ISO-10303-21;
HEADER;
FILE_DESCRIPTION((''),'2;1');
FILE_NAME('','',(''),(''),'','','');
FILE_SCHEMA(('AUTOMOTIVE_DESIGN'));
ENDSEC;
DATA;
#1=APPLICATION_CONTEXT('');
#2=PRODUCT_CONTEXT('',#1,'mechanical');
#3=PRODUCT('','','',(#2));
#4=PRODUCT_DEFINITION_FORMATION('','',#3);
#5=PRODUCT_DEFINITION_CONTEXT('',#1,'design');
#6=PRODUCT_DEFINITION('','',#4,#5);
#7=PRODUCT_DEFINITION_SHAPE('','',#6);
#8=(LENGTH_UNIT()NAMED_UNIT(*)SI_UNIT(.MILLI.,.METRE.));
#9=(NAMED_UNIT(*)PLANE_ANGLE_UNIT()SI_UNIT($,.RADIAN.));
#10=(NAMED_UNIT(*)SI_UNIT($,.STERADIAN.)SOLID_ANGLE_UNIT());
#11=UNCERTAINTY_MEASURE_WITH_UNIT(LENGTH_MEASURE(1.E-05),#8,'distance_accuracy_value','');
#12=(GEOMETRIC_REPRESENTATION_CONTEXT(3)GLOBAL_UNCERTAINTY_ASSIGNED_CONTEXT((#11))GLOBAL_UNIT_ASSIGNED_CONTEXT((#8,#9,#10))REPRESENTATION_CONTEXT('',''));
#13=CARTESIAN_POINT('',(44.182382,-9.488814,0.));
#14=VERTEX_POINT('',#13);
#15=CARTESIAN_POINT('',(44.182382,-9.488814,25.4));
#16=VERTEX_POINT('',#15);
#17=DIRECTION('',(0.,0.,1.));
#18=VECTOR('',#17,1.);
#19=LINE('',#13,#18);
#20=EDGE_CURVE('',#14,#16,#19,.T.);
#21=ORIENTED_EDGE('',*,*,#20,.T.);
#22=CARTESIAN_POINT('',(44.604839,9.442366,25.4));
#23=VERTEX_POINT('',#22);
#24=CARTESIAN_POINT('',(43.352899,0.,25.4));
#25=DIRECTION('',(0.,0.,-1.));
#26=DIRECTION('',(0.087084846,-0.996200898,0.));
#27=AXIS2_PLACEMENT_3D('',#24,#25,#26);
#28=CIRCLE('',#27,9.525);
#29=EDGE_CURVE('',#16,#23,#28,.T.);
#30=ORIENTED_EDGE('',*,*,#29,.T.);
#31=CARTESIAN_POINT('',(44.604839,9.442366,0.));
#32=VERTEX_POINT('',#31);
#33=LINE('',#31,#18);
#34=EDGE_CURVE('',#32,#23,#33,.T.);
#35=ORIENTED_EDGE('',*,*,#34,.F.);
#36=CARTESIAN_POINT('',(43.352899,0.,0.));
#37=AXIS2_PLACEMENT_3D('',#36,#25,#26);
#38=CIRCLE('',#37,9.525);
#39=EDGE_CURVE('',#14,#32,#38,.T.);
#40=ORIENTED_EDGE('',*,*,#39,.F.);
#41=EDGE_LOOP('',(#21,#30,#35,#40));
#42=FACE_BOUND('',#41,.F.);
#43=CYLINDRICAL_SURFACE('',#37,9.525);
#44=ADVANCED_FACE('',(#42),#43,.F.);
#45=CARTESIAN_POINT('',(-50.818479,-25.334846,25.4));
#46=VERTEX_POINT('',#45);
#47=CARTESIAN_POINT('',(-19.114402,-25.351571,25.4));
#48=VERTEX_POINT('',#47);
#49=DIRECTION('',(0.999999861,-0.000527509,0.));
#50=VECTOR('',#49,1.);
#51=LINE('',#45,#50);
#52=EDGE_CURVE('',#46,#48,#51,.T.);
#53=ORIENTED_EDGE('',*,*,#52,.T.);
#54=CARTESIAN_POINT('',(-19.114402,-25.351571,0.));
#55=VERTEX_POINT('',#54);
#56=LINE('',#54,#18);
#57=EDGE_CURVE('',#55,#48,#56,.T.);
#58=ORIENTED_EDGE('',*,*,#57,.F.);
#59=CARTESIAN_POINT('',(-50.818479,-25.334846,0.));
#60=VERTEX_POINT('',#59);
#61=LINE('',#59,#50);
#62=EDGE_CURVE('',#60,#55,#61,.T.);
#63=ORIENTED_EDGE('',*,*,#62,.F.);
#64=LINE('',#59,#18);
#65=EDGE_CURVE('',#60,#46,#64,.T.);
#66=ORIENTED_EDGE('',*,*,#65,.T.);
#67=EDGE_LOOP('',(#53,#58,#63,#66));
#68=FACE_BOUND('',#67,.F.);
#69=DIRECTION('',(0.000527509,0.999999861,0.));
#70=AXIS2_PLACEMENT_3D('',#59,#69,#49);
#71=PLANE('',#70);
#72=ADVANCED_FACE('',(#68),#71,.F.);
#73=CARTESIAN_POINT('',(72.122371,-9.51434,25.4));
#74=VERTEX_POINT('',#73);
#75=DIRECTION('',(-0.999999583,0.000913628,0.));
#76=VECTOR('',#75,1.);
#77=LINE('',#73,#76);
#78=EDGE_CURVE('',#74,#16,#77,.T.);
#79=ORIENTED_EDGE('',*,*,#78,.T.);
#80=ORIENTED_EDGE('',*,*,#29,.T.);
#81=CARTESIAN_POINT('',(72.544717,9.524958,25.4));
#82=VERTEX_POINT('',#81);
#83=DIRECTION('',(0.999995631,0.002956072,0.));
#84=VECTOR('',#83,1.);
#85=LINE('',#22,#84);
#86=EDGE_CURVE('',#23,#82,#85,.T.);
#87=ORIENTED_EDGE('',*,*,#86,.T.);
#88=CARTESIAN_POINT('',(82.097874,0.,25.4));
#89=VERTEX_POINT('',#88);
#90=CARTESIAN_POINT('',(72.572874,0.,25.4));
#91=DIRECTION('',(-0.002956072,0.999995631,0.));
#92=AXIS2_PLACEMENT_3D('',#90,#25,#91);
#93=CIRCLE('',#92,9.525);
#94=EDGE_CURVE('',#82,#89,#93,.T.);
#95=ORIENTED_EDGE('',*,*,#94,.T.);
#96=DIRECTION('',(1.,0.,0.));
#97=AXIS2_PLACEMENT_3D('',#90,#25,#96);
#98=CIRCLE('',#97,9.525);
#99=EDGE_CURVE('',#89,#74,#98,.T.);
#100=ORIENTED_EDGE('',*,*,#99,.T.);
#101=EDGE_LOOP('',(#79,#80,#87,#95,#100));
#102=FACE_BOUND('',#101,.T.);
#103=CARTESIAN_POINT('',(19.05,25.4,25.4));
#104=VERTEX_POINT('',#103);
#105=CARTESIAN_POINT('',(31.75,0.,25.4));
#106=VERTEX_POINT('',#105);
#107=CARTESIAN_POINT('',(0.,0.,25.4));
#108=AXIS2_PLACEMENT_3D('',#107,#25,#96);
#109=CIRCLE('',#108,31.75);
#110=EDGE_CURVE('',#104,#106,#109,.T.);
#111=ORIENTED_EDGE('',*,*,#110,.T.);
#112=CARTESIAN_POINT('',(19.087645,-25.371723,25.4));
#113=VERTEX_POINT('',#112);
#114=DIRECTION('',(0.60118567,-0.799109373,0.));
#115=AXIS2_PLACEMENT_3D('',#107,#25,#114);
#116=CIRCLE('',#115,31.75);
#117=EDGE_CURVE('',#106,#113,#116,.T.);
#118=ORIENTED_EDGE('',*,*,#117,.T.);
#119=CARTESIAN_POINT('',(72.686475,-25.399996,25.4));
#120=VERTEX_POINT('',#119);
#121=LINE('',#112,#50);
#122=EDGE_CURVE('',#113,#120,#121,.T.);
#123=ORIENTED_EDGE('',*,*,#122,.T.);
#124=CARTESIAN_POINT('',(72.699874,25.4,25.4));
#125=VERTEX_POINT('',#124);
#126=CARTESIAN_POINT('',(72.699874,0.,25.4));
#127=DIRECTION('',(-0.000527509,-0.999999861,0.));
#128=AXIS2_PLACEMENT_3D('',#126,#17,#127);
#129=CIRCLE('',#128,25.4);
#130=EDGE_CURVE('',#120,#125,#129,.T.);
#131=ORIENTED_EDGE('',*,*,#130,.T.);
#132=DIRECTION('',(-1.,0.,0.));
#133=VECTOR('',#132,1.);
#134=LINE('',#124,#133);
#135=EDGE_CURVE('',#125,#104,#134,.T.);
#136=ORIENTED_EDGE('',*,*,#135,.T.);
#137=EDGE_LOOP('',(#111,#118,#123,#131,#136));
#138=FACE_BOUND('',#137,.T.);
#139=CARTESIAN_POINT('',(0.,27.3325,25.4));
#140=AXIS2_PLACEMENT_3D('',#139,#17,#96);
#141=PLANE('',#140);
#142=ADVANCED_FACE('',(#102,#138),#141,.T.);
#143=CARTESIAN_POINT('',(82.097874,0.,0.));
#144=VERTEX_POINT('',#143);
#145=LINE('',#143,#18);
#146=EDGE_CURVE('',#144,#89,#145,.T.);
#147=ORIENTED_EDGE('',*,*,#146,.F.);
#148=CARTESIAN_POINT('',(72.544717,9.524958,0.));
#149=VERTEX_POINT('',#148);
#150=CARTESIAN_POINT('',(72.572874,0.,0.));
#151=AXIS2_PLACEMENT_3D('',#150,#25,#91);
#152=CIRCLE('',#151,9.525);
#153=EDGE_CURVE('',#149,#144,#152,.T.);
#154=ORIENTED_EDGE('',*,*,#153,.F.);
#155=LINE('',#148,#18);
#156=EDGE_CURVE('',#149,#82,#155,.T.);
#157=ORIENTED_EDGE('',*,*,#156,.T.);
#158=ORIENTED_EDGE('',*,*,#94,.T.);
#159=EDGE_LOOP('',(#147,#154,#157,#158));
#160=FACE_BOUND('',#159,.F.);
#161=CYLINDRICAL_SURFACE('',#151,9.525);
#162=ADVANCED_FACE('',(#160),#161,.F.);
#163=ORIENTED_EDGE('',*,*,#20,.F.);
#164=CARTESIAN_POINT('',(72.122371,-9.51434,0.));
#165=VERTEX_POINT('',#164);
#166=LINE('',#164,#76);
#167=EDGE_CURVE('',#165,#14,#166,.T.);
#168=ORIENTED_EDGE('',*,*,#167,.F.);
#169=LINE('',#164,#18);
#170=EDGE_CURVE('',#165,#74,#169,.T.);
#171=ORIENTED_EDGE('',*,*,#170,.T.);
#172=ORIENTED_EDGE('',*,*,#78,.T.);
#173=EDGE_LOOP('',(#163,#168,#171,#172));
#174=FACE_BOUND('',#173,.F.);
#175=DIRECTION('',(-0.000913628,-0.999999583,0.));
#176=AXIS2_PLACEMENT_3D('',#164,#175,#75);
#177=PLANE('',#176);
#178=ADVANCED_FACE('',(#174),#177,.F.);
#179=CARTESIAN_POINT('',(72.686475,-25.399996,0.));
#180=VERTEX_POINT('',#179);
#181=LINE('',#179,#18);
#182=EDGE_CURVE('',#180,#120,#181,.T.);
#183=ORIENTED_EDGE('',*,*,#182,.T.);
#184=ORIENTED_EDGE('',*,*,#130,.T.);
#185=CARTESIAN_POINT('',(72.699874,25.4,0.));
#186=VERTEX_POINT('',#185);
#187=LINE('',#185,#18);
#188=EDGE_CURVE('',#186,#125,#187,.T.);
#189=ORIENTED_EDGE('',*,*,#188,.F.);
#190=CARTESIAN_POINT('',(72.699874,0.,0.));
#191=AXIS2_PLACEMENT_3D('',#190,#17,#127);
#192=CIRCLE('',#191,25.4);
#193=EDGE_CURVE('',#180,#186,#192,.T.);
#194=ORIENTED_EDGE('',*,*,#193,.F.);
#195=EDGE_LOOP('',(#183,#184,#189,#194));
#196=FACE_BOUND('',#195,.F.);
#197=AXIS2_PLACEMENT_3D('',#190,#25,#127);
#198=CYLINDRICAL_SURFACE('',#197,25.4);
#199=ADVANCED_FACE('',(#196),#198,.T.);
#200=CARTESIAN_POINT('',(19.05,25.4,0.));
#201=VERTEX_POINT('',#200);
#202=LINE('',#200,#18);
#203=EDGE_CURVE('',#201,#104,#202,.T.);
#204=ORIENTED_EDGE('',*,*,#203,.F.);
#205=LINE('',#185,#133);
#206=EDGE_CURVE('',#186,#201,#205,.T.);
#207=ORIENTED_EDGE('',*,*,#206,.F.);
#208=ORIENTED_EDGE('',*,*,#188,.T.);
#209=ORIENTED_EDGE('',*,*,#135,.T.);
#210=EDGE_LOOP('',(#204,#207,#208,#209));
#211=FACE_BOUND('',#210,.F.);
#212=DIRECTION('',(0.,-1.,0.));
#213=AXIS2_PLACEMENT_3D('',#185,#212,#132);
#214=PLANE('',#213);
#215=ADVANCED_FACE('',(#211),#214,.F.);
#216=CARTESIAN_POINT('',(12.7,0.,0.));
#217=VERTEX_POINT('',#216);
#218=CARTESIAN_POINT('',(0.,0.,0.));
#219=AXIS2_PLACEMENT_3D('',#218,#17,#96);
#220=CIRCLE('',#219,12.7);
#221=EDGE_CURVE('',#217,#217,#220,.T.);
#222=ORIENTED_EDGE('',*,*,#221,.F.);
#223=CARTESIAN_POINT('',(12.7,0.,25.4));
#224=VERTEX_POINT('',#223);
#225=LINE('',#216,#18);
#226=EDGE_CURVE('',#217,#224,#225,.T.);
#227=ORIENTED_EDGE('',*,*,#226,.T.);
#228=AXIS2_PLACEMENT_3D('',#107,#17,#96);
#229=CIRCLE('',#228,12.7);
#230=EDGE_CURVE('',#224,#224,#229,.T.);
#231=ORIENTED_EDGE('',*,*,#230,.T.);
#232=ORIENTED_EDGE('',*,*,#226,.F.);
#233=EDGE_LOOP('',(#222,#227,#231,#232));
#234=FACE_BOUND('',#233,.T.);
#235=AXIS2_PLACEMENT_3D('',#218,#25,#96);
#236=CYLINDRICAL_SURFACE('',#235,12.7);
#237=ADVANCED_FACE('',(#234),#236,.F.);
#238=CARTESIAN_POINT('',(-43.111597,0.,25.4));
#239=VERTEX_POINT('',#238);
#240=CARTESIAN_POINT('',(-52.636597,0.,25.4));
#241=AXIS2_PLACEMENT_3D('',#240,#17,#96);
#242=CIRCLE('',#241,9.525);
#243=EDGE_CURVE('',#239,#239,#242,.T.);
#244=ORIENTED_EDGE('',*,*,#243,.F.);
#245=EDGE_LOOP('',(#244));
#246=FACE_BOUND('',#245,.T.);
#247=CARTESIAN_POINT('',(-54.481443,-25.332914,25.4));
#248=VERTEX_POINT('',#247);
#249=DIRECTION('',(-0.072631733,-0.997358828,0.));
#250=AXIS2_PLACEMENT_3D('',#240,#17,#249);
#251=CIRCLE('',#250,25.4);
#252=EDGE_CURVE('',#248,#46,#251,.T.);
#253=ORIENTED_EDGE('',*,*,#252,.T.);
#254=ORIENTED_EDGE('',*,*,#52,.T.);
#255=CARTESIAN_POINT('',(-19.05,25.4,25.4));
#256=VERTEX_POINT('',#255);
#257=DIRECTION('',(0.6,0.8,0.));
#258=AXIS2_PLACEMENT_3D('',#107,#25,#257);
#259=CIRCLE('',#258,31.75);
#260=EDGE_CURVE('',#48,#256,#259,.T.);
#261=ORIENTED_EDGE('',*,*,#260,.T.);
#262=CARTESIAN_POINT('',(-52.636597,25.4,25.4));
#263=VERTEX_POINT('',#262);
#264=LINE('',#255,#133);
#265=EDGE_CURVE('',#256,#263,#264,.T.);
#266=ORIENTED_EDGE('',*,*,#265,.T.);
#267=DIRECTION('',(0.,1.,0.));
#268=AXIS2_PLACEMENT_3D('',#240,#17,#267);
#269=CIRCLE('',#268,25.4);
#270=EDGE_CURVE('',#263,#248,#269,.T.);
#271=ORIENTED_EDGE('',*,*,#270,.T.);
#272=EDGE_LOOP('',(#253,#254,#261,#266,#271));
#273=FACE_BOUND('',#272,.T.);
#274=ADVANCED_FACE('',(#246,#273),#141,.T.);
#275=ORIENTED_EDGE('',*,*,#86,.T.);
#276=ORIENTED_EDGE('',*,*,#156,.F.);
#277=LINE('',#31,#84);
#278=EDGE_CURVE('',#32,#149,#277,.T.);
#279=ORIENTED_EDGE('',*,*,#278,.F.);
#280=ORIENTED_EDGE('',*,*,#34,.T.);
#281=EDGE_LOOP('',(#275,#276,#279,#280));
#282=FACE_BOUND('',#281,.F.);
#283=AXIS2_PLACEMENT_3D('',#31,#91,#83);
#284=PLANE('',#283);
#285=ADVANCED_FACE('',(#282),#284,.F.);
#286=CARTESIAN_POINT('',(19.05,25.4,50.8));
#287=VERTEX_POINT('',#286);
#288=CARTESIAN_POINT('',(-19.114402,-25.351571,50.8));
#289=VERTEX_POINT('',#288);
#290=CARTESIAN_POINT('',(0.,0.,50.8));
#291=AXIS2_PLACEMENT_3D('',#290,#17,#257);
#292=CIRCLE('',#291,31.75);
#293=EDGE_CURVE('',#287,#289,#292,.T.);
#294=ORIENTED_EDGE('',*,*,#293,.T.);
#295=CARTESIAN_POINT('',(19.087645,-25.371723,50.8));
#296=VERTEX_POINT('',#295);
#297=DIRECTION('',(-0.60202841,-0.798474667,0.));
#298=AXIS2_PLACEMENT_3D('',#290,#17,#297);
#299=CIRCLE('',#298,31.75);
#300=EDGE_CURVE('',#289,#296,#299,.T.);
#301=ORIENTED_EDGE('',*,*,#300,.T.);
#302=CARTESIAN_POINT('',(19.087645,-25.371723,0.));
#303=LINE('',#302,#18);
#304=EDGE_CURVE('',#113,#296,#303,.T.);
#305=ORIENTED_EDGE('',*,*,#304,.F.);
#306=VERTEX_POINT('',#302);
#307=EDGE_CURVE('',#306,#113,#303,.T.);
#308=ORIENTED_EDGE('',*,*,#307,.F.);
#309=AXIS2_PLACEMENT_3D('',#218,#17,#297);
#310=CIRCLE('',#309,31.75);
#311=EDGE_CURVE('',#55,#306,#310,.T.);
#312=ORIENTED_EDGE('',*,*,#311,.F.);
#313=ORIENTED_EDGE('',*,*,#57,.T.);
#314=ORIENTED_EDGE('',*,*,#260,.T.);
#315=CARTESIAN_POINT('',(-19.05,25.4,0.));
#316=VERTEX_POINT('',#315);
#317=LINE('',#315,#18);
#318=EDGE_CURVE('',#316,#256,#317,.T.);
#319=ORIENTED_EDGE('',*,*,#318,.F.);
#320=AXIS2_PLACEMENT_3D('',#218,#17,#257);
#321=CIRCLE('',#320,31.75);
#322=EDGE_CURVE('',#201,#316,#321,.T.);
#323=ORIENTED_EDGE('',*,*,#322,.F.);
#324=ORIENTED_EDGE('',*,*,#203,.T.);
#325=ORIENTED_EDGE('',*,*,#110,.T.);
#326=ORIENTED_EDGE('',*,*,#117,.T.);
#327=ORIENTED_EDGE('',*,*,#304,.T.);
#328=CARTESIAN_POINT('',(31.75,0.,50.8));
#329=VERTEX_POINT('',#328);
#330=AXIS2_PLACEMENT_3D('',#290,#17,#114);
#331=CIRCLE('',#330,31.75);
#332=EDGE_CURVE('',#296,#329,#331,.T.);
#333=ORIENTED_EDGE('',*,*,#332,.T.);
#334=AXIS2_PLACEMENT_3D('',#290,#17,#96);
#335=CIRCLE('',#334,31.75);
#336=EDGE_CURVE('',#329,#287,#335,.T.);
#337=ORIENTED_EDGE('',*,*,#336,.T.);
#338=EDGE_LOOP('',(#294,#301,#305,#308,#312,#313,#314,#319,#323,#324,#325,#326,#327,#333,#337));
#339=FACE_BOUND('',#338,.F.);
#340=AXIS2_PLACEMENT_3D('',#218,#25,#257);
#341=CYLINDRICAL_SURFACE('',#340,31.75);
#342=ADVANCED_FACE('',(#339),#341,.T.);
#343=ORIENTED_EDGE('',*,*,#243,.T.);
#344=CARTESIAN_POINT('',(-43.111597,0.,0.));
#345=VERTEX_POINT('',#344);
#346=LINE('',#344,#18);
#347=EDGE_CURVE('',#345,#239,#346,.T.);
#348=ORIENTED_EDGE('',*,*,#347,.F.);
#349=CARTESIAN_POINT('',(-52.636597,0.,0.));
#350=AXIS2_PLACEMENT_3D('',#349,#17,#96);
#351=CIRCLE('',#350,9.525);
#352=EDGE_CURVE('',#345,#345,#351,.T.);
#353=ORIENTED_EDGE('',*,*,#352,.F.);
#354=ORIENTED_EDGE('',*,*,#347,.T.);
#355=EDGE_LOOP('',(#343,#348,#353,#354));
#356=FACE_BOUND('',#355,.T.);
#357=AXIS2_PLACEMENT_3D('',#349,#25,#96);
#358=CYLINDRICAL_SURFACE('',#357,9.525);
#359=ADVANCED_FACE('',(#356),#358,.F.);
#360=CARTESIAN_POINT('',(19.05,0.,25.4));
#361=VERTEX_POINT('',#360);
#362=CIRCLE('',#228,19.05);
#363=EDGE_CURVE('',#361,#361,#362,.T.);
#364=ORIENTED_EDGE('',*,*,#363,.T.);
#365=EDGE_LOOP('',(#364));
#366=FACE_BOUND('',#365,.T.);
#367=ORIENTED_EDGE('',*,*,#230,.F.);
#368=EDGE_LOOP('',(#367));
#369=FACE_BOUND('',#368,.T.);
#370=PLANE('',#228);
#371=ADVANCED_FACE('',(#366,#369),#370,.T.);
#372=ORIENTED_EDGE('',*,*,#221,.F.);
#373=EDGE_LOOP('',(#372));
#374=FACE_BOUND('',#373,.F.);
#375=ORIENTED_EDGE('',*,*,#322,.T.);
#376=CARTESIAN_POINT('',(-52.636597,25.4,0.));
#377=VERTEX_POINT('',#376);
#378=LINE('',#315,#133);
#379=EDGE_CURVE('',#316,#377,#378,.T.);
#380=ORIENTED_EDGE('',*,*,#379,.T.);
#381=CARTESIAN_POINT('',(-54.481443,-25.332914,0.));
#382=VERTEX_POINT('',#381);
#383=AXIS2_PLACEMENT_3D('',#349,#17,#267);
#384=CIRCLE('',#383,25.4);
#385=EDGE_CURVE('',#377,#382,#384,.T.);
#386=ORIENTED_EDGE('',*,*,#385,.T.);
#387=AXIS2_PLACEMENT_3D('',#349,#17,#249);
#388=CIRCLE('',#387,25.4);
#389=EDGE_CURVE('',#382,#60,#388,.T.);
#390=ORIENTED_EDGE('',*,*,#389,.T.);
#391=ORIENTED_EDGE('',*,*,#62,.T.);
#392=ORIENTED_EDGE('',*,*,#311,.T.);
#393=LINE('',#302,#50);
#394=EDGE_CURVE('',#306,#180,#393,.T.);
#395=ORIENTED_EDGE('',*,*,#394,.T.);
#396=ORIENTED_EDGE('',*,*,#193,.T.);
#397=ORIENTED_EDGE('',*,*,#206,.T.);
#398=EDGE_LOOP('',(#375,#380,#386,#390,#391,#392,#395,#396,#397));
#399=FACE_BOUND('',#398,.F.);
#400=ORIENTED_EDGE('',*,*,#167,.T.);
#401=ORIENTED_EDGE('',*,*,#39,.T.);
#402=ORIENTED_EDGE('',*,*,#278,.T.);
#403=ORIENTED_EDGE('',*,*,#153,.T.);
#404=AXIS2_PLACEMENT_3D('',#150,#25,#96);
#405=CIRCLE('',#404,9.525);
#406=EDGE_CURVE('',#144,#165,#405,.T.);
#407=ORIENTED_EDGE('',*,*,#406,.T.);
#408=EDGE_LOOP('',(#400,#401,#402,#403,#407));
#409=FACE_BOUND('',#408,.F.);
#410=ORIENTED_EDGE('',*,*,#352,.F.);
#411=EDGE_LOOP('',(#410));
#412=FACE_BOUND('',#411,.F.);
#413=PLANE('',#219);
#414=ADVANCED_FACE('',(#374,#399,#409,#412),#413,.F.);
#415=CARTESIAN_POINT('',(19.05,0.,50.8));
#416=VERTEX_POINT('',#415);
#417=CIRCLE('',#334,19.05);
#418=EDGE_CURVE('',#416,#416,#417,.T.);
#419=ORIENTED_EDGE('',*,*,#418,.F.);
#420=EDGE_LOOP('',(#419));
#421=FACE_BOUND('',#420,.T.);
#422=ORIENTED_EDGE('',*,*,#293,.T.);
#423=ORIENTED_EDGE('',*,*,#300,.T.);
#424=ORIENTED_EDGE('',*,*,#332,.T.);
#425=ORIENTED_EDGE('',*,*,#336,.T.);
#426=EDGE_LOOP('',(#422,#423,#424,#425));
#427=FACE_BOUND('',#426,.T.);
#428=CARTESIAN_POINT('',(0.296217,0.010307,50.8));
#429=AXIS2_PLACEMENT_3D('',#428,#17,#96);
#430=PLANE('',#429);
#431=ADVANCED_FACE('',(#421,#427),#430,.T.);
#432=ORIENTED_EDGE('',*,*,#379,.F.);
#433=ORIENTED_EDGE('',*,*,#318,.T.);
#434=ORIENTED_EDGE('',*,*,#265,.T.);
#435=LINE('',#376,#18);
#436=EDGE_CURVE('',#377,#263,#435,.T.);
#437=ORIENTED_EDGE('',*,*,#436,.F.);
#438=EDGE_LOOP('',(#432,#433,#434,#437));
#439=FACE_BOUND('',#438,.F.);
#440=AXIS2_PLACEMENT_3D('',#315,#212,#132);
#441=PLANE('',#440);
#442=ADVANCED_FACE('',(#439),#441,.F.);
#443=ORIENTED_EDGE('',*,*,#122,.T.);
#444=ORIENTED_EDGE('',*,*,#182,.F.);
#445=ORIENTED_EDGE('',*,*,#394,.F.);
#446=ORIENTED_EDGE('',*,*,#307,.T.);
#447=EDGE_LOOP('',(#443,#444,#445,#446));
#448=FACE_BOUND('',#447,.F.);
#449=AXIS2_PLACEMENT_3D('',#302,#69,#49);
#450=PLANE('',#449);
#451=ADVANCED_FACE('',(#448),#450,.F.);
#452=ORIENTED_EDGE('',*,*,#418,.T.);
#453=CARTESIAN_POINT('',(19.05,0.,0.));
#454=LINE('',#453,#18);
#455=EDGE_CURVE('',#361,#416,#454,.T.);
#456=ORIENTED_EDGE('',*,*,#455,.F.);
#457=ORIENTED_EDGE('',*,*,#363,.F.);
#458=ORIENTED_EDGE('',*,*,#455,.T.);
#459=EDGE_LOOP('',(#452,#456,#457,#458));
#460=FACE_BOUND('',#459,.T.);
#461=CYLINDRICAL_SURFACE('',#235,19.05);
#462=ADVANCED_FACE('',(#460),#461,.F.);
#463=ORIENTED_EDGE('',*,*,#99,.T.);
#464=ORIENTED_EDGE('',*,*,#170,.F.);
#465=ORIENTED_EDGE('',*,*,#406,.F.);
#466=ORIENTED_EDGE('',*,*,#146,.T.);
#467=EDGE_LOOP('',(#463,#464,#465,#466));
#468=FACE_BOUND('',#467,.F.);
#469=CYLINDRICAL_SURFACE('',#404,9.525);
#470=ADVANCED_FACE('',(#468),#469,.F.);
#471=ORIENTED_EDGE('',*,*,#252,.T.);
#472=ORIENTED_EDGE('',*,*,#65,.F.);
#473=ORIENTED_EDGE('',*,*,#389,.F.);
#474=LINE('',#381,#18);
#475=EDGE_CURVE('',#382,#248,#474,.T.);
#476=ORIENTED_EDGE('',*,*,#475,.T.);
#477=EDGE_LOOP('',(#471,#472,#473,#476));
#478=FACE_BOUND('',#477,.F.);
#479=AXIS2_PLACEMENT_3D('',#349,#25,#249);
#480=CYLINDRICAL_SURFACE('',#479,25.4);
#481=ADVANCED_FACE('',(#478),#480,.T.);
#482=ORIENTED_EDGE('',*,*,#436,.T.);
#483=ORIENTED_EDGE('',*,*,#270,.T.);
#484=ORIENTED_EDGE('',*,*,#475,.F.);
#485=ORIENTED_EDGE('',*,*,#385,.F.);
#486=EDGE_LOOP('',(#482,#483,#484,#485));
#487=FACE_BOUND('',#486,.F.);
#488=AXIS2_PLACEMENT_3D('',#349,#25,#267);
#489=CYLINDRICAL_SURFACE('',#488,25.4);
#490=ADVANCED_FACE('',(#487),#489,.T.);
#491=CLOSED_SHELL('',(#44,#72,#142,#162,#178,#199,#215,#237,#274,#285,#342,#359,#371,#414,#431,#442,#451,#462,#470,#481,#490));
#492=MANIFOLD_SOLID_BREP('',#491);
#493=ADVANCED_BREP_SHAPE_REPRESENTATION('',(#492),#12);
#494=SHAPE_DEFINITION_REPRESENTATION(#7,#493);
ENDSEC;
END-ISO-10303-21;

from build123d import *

# Parameters (mm, degrees)
F0_R     = 9.525
F0_R_2   = 19.05
F1_DEPTH = 25.4
F2_DEPTH = 50.8
F0_R_3   = 12.7
F3_DEPTH = 25.4


with BuildPart() as f1:
    # F0 (on Top) → F1 (new body)
    with BuildSketch(Plane.XY):
        with BuildLine():
            Line((-19.05, 25.4), (19.05, 25.4))
            ThreePointArc((19.05, 25.4), (0, 31.75), (-19.05, 25.4))
        make_face()
        with BuildLine():
            ThreePointArc((-19.114402028, -25.3515706636), (-0.0167484131, -31.7499955825), (19.0876450268, -25.3717225929))
            Line((19.0876450268, -25.3717225929), (-19.114402028, -25.3515706636))
        make_face()
        with BuildLine():
            ThreePointArc((-54.4814434441, -25.3329142257), (-52.6499961562, -25.399996466), (-50.8184791146, -25.3348464729))
            Line((-50.8184791146, -25.3348464729), (-54.4814434441, -25.3329142257))
        make_face()
        with BuildLine():
            ThreePointArc((-19.114402028, -25.3515706636), (-31.7499744369, 0.0402896446), (-19.05, 25.4))
            Line((-19.05, 25.4), (-52.6365974257, 25.4))
            ThreePointArc((-52.6365974257, 25.4), (-78.0198204414, 0.9230326826), (-54.4814434441, -25.3329142257))
            Line((-54.4814434441, -25.3329142257), (-50.8184791146, -25.3348464729))
            Line((-50.8184791146, -25.3348464729), (-19.114402028, -25.3515706636))
        make_face()
        with Locations((-52.6365974257, 0)):
            Circle(F0_R, mode=Mode.SUBTRACT)
        with BuildLine():
            ThreePointArc((19.05, 25.4), (28.3980633142, 14.1990316571), (31.75, 0))
            ThreePointArc((31.75, 0), (28.4085834705, -14.1779718295), (19.0876450268, -25.3717225929))
            Line((19.0876450268, -25.3717225929), (72.6864750945, -25.399996466))
            ThreePointArc((72.6864750945, -25.399996466), (98.0998729414, -0.0066993655), (72.6998738249, 25.4))
            Line((72.6998738249, 25.4), (19.05, 25.4))
        make_face()
        with BuildLine():
            ThreePointArc((44.1823822002, -9.4888135551), (33.8302697715, 0.2125014193), (44.6048393131, 9.4423657283))
            Line((44.6048393131, 9.4423657283), (72.544717238, 9.5249583835))
            ThreePointArc((72.544717238, 9.5249583835), (79.2981036912, 6.7451396016), (82.0978738249, 0))
            ThreePointArc((82.0978738249, 0), (79.146859724, -6.8926289903), (72.1223705392, -9.5143403234))
            Line((72.1223705392, -9.5143403234), (44.1823822002, -9.4888135551))
        make_face(mode=Mode.SUBTRACT)
        with BuildLine():
            ThreePointArc((19.0876450268, -25.3717225929), (28.4085834705, -14.1779718295), (31.75, 0))
            ThreePointArc((31.75, 0), (28.3980633142, 14.1990316571), (19.05, 25.4))
            Line((19.05, 25.4), (-19.05, 25.4))
            ThreePointArc((-19.05, 25.4), (-31.7499744369, 0.0402896446), (-19.114402028, -25.3515706636))
            Line((-19.114402028, -25.3515706636), (19.0876450268, -25.3717225929))
        make_face()
        Circle(F0_R_2, mode=Mode.SUBTRACT)
    extrude(amount=F1_DEPTH)

    # F0 (on Top) → F2 (join)
    with BuildSketch(Plane.XY):
        with BuildLine():
            ThreePointArc((19.0876450268, -25.3717225929), (28.4085834705, -14.1779718295), (31.75, 0))
            ThreePointArc((31.75, 0), (28.3980633142, 14.1990316571), (19.05, 25.4))
            Line((19.05, 25.4), (-19.05, 25.4))
            ThreePointArc((-19.05, 25.4), (-31.7499744369, 0.0402896446), (-19.114402028, -25.3515706636))
            Line((-19.114402028, -25.3515706636), (19.0876450268, -25.3717225929))
        make_face()
        Circle(F0_R_2, mode=Mode.SUBTRACT)
        with BuildLine():
            ThreePointArc((-19.114402028, -25.3515706636), (-0.0167484131, -31.7499955825), (19.0876450268, -25.3717225929))
            Line((19.0876450268, -25.3717225929), (-19.114402028, -25.3515706636))
        make_face()
        with BuildLine():
            Line((-19.05, 25.4), (19.05, 25.4))
            ThreePointArc((19.05, 25.4), (0, 31.75), (-19.05, 25.4))
        make_face()
    extrude(amount=F2_DEPTH)

    # F0 (on Top) → F3 (join)
    with BuildSketch(Plane.XY):
        Circle(F0_R_2)
        Circle(F0_R_3, mode=Mode.SUBTRACT)
    extrude(amount=F3_DEPTH)


solid = f1.part
